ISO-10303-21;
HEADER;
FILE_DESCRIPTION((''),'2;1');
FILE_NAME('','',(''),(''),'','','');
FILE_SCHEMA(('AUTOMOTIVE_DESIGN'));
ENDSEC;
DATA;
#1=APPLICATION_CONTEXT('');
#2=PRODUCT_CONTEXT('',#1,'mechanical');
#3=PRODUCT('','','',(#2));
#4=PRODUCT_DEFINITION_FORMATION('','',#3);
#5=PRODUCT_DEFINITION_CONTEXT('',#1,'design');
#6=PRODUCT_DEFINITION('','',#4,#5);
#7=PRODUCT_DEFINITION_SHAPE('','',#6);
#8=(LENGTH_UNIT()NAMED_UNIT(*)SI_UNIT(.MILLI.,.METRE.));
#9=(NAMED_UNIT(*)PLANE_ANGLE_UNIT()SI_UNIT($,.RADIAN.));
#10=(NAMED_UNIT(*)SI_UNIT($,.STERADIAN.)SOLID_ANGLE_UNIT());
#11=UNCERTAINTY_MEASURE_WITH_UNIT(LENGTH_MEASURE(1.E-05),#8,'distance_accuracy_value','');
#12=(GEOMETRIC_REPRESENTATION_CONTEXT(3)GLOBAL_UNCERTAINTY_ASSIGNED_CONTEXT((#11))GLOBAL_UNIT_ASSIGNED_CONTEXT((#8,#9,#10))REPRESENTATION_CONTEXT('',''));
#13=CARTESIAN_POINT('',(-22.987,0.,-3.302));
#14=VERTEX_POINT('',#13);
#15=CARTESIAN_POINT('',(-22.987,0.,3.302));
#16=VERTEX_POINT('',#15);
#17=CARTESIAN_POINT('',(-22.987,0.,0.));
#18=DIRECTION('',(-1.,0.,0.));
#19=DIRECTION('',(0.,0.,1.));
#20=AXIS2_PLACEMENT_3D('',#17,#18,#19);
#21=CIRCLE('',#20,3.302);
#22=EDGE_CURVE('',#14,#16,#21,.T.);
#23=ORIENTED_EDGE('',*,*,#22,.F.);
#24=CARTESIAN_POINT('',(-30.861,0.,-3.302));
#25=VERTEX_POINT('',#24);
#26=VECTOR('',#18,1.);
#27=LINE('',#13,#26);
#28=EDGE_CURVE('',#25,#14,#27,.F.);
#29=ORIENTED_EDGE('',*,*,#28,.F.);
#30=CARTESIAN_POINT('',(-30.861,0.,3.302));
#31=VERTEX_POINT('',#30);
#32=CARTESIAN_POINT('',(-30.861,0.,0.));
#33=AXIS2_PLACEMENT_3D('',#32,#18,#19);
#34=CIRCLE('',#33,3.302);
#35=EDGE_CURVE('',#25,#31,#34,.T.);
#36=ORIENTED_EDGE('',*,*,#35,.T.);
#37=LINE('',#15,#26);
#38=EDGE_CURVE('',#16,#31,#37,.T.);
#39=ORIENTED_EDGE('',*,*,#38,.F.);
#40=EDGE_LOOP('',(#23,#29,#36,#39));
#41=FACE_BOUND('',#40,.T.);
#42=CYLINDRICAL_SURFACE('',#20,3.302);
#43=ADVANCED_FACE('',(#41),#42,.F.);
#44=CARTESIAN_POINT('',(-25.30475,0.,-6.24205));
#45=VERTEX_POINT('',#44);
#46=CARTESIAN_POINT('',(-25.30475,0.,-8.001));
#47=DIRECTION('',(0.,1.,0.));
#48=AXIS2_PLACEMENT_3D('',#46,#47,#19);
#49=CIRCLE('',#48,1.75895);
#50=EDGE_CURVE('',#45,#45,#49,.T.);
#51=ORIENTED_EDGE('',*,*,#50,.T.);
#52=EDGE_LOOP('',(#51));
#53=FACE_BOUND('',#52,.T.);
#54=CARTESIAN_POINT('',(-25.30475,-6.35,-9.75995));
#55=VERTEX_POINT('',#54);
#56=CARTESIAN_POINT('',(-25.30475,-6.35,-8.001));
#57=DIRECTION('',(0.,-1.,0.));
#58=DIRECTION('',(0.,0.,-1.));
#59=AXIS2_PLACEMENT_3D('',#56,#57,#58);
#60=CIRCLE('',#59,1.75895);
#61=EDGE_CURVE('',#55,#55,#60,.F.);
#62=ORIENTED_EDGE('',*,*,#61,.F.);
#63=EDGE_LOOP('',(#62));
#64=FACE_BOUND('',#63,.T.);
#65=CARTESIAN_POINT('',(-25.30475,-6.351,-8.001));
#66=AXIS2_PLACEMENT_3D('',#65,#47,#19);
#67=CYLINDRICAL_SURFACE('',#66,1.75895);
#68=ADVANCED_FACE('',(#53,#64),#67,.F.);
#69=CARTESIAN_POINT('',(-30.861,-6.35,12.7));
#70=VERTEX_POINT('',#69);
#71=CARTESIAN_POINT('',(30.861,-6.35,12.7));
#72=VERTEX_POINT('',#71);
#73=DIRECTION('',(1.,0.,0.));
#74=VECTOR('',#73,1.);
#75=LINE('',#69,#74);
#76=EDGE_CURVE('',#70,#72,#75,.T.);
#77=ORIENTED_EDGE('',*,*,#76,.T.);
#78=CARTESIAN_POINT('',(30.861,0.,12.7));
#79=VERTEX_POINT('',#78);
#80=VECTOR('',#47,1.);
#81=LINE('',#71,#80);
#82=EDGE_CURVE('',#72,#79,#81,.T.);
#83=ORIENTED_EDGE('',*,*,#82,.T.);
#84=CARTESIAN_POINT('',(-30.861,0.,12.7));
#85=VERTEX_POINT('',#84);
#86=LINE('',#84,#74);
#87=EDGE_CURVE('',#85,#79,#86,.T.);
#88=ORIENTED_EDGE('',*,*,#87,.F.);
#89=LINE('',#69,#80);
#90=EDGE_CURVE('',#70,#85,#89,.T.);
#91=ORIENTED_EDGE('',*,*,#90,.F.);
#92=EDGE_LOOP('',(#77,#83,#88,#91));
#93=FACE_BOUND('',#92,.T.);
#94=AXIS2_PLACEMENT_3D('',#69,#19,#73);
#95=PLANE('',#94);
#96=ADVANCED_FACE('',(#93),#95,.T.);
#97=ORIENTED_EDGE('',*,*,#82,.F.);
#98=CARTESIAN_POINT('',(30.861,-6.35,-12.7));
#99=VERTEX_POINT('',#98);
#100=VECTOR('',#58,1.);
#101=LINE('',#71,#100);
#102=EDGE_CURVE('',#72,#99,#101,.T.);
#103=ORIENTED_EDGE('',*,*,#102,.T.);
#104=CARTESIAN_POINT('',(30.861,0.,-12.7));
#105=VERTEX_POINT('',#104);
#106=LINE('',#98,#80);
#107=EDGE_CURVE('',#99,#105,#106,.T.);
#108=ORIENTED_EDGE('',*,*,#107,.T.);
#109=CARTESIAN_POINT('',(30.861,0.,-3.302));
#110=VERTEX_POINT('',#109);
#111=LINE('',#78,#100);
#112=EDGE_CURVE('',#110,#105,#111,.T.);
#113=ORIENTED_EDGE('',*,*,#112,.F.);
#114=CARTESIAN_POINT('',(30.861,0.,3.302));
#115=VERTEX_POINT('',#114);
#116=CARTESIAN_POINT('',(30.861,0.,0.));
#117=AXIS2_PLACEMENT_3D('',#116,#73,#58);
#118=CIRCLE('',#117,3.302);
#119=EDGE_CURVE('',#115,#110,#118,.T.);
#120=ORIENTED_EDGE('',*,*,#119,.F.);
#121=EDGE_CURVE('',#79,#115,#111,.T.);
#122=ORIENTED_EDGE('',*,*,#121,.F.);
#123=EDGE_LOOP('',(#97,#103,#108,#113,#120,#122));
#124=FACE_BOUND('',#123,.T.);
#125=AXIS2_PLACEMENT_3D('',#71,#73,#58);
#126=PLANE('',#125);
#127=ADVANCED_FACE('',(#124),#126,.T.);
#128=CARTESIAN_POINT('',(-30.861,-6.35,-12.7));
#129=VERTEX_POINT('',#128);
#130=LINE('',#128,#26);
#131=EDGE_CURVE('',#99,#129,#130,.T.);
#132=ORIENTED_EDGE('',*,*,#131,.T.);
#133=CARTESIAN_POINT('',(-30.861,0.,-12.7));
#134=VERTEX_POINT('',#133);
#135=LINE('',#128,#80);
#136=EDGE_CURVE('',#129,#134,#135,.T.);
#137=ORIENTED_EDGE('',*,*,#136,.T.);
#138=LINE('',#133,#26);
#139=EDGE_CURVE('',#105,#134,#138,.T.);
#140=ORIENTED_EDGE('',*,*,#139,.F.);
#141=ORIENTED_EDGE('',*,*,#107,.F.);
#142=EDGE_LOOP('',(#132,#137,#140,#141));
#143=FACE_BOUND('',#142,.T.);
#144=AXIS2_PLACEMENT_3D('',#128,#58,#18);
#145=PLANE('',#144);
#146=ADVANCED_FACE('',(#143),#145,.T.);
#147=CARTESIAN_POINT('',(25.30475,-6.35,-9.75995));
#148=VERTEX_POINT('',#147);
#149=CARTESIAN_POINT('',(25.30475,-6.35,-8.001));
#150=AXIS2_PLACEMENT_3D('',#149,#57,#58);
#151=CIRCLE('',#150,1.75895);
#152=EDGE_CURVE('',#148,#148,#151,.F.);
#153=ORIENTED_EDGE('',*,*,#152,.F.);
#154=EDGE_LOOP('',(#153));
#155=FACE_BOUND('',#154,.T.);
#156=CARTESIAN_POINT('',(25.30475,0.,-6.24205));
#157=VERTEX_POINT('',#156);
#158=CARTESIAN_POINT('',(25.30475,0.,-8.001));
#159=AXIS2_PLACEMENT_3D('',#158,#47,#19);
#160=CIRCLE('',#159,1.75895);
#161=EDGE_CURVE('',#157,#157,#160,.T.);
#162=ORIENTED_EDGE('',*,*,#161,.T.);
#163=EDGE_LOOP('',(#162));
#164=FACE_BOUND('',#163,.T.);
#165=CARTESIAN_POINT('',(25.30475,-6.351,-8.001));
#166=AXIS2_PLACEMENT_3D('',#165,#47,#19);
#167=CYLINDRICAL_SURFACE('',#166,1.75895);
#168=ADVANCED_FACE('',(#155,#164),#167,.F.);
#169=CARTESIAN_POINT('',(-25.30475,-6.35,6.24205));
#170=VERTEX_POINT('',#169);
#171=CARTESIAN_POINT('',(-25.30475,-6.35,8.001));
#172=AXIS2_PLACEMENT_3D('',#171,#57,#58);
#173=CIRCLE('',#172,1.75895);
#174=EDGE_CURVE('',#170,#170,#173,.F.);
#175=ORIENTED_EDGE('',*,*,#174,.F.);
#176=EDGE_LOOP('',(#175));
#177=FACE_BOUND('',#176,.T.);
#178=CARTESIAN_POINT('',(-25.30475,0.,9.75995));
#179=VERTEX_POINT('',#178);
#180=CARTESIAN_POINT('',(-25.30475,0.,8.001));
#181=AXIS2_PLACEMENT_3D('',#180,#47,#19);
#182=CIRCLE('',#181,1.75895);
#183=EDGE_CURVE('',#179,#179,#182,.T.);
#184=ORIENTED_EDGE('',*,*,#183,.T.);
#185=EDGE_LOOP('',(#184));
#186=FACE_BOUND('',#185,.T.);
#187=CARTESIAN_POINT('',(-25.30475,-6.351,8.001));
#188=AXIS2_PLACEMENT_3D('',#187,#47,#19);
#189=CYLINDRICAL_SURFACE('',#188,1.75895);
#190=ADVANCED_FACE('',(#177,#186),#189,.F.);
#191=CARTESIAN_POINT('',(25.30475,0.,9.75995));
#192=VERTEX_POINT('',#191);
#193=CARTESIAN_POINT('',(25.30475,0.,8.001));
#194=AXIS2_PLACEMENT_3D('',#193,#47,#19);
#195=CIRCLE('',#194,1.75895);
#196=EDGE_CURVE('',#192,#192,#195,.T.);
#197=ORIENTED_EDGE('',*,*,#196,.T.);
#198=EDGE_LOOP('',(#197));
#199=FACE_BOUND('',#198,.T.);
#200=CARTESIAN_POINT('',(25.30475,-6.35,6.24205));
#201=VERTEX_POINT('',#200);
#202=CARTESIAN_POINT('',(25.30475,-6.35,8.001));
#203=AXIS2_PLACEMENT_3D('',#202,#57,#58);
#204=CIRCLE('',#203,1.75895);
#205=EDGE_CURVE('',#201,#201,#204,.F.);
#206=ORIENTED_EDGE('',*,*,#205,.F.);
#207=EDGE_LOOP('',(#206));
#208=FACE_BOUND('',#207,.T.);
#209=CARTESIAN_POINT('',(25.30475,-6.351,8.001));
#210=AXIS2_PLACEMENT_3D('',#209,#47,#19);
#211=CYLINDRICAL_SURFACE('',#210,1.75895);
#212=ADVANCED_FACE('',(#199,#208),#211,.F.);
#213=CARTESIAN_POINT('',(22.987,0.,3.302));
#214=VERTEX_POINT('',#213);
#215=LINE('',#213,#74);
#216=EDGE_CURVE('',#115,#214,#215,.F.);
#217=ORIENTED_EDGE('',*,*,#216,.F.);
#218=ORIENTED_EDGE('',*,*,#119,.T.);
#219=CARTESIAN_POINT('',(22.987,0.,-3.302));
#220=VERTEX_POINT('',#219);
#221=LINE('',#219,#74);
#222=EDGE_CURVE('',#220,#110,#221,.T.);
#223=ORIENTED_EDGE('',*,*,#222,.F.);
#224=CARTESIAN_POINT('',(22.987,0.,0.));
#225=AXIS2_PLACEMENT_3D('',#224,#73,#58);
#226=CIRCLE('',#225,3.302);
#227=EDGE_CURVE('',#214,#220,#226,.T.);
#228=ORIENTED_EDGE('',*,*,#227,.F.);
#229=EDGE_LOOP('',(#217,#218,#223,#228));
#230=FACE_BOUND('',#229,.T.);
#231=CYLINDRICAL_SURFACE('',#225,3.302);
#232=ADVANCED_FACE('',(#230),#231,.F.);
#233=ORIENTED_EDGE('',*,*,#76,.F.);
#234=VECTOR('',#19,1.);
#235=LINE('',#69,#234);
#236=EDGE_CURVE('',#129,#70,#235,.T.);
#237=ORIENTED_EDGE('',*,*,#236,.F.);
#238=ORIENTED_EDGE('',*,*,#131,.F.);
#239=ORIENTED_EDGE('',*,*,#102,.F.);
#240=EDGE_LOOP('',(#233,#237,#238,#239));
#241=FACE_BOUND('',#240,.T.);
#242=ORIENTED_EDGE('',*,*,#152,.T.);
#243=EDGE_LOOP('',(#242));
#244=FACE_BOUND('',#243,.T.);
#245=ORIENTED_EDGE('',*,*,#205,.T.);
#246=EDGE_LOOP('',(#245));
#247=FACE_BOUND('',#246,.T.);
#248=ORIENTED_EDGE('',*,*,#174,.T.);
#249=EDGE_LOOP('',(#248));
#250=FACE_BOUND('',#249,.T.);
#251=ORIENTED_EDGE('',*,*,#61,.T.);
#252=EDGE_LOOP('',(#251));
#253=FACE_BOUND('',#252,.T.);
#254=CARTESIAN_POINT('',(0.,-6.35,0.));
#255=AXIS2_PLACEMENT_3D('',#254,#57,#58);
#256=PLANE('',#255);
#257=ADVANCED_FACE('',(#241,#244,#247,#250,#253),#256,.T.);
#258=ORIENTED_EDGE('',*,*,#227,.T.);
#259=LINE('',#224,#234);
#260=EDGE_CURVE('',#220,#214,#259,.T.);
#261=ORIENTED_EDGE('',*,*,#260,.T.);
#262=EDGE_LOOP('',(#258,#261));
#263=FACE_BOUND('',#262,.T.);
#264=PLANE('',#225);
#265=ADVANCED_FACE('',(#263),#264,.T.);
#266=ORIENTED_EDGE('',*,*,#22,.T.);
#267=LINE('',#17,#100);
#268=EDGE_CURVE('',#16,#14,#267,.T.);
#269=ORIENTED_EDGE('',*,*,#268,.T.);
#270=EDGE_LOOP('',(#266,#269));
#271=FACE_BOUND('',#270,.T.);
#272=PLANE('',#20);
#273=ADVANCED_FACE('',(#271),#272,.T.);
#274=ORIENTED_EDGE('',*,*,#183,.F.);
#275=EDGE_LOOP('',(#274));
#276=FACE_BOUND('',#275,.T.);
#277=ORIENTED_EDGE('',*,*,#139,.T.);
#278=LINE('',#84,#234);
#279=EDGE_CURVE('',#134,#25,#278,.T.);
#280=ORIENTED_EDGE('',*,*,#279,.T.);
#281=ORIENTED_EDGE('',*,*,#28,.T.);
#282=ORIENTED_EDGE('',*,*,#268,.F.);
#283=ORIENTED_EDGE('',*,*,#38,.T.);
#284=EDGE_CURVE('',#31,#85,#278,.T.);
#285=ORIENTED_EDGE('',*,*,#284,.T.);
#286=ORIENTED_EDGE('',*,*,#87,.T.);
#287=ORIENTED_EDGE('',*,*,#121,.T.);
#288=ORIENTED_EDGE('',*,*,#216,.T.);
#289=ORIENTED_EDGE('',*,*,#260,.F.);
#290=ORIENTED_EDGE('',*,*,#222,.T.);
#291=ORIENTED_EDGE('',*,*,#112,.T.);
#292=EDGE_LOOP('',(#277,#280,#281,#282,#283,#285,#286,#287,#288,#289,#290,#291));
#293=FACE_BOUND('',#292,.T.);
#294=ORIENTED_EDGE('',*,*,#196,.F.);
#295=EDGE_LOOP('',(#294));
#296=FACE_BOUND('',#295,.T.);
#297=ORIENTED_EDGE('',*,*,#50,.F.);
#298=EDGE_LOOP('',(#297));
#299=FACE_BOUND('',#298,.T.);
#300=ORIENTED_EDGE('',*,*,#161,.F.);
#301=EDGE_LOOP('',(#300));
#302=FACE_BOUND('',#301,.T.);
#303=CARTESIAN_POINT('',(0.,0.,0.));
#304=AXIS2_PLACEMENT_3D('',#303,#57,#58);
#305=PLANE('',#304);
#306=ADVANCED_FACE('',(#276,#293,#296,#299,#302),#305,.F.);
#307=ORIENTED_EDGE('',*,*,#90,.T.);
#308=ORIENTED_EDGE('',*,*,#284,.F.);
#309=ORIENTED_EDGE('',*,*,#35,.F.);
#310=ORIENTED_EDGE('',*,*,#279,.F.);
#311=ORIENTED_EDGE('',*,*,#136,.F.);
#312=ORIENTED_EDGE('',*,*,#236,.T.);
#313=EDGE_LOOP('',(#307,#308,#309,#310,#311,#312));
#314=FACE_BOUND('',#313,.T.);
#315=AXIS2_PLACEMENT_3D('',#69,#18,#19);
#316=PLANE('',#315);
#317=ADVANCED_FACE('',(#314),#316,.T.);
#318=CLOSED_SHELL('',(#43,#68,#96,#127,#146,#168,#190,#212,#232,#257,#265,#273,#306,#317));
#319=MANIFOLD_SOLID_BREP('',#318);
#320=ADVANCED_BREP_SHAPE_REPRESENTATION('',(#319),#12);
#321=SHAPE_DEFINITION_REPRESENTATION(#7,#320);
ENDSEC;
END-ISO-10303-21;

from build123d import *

# Parameters (mm, degrees)
SKETCH1_W           = 61.722
SKETCH1_H           = 25.4
BOSS_EXTRUDE1_DEPTH = 6.35
SKETCH2_R           = 3.302
CUT_EXTRUDE1_DEPTH  = 7.874
CUT_EXTRUDE2_START  = -7.874
SKETCH3_R           = 3.302
CUT_EXTRUDE2_DEPTH  = 7.874
CUT_EXTRUDE11_REACH = 35.971
SKETCH4_R           = 1.75895


with BuildPart() as part:
    # Sketch1 → Boss-Extrude1 (new body)
    with BuildSketch(Plane(origin=(0, 0, 0), x_dir=(1, 0, 0), z_dir=(0, 1, 0))):
        Rectangle(SKETCH1_W, SKETCH1_H)
    extrude(amount=-BOSS_EXTRUDE1_DEPTH)

    # Sketch2 → Cut-Extrude1 (cut)
    with BuildSketch(Plane(origin=(30.861, 0, 0), x_dir=(0, 0, -1), z_dir=(1, 0, 0))):
        Circle(SKETCH2_R)
    extrude(amount=-CUT_EXTRUDE1_DEPTH, mode=Mode.SUBTRACT)

    # Sketch3 → Cut-Extrude2 (cut)
    with BuildSketch(Plane.ZY.offset(30.861).offset(CUT_EXTRUDE2_START)):
        Circle(SKETCH3_R)
    extrude(amount=CUT_EXTRUDE2_DEPTH, mode=Mode.SUBTRACT)

    # Sketch4 → Cut-Extrude11 (cut, up to next)
    with BuildSketch(Plane(origin=(0, 0, 0), x_dir=(1, 0, 0), z_dir=(0, 1, 0)), mode=Mode.PRIVATE) as cut_extrude11_sk1:
        with Locations(Location((25.30475, -8.001, 0), (0, 0, 270))):
            Circle(SKETCH4_R)
    cut_extrude11_tool1 = extrude(cut_extrude11_sk1.sketch, amount=-CUT_EXTRUDE11_REACH, mode=Mode.PRIVATE) & part.part
    # Sketch4 → Cut-Extrude11 (cut, up to next)
    with BuildSketch(Plane(origin=(0, 0, 0), x_dir=(1, 0, 0), z_dir=(0, 1, 0)), mode=Mode.PRIVATE) as cut_extrude11_sk2:
        with Locations(Location((25.30475, 8.001, 0), (0, 0, 270))):
            Circle(SKETCH4_R)
    cut_extrude11_tool2 = extrude(cut_extrude11_sk2.sketch, amount=-CUT_EXTRUDE11_REACH, mode=Mode.PRIVATE) & part.part
    # Sketch4 → Cut-Extrude11 (cut, up to next)
    with BuildSketch(Plane(origin=(0, 0, 0), x_dir=(1, 0, 0), z_dir=(0, 1, 0)), mode=Mode.PRIVATE) as cut_extrude11_sk3:
        with Locations(Location((-25.30475, 8.001, 0), (0, 0, 270))):
            Circle(SKETCH4_R)
    cut_extrude11_tool3 = extrude(cut_extrude11_sk3.sketch, amount=-CUT_EXTRUDE11_REACH, mode=Mode.PRIVATE) & part.part
    # Sketch4 → Cut-Extrude11 (cut, up to next)
    with BuildSketch(Plane(origin=(0, 0, 0), x_dir=(1, 0, 0), z_dir=(0, 1, 0)), mode=Mode.PRIVATE) as cut_extrude11_sk4:
        with Locations(Location((-25.30475, -8.001, 0), (0, 0, 270))):
            Circle(SKETCH4_R)
    cut_extrude11_tool4 = extrude(cut_extrude11_sk4.sketch, amount=-CUT_EXTRUDE11_REACH, mode=Mode.PRIVATE) & part.part
    add(cut_extrude11_tool1.solids().sort_by_distance((25.30475, 0, 8.001))[0], mode=Mode.SUBTRACT)
    add(cut_extrude11_tool2.solids().sort_by_distance((25.30475, 0, -8.001))[0], mode=Mode.SUBTRACT)
    add(cut_extrude11_tool3.solids().sort_by_distance((-25.30475, 0, -8.001))[0], mode=Mode.SUBTRACT)
    add(cut_extrude11_tool4.solids().sort_by_distance((-25.30475, 0, 8.001))[0], mode=Mode.SUBTRACT)


solid = part.part
